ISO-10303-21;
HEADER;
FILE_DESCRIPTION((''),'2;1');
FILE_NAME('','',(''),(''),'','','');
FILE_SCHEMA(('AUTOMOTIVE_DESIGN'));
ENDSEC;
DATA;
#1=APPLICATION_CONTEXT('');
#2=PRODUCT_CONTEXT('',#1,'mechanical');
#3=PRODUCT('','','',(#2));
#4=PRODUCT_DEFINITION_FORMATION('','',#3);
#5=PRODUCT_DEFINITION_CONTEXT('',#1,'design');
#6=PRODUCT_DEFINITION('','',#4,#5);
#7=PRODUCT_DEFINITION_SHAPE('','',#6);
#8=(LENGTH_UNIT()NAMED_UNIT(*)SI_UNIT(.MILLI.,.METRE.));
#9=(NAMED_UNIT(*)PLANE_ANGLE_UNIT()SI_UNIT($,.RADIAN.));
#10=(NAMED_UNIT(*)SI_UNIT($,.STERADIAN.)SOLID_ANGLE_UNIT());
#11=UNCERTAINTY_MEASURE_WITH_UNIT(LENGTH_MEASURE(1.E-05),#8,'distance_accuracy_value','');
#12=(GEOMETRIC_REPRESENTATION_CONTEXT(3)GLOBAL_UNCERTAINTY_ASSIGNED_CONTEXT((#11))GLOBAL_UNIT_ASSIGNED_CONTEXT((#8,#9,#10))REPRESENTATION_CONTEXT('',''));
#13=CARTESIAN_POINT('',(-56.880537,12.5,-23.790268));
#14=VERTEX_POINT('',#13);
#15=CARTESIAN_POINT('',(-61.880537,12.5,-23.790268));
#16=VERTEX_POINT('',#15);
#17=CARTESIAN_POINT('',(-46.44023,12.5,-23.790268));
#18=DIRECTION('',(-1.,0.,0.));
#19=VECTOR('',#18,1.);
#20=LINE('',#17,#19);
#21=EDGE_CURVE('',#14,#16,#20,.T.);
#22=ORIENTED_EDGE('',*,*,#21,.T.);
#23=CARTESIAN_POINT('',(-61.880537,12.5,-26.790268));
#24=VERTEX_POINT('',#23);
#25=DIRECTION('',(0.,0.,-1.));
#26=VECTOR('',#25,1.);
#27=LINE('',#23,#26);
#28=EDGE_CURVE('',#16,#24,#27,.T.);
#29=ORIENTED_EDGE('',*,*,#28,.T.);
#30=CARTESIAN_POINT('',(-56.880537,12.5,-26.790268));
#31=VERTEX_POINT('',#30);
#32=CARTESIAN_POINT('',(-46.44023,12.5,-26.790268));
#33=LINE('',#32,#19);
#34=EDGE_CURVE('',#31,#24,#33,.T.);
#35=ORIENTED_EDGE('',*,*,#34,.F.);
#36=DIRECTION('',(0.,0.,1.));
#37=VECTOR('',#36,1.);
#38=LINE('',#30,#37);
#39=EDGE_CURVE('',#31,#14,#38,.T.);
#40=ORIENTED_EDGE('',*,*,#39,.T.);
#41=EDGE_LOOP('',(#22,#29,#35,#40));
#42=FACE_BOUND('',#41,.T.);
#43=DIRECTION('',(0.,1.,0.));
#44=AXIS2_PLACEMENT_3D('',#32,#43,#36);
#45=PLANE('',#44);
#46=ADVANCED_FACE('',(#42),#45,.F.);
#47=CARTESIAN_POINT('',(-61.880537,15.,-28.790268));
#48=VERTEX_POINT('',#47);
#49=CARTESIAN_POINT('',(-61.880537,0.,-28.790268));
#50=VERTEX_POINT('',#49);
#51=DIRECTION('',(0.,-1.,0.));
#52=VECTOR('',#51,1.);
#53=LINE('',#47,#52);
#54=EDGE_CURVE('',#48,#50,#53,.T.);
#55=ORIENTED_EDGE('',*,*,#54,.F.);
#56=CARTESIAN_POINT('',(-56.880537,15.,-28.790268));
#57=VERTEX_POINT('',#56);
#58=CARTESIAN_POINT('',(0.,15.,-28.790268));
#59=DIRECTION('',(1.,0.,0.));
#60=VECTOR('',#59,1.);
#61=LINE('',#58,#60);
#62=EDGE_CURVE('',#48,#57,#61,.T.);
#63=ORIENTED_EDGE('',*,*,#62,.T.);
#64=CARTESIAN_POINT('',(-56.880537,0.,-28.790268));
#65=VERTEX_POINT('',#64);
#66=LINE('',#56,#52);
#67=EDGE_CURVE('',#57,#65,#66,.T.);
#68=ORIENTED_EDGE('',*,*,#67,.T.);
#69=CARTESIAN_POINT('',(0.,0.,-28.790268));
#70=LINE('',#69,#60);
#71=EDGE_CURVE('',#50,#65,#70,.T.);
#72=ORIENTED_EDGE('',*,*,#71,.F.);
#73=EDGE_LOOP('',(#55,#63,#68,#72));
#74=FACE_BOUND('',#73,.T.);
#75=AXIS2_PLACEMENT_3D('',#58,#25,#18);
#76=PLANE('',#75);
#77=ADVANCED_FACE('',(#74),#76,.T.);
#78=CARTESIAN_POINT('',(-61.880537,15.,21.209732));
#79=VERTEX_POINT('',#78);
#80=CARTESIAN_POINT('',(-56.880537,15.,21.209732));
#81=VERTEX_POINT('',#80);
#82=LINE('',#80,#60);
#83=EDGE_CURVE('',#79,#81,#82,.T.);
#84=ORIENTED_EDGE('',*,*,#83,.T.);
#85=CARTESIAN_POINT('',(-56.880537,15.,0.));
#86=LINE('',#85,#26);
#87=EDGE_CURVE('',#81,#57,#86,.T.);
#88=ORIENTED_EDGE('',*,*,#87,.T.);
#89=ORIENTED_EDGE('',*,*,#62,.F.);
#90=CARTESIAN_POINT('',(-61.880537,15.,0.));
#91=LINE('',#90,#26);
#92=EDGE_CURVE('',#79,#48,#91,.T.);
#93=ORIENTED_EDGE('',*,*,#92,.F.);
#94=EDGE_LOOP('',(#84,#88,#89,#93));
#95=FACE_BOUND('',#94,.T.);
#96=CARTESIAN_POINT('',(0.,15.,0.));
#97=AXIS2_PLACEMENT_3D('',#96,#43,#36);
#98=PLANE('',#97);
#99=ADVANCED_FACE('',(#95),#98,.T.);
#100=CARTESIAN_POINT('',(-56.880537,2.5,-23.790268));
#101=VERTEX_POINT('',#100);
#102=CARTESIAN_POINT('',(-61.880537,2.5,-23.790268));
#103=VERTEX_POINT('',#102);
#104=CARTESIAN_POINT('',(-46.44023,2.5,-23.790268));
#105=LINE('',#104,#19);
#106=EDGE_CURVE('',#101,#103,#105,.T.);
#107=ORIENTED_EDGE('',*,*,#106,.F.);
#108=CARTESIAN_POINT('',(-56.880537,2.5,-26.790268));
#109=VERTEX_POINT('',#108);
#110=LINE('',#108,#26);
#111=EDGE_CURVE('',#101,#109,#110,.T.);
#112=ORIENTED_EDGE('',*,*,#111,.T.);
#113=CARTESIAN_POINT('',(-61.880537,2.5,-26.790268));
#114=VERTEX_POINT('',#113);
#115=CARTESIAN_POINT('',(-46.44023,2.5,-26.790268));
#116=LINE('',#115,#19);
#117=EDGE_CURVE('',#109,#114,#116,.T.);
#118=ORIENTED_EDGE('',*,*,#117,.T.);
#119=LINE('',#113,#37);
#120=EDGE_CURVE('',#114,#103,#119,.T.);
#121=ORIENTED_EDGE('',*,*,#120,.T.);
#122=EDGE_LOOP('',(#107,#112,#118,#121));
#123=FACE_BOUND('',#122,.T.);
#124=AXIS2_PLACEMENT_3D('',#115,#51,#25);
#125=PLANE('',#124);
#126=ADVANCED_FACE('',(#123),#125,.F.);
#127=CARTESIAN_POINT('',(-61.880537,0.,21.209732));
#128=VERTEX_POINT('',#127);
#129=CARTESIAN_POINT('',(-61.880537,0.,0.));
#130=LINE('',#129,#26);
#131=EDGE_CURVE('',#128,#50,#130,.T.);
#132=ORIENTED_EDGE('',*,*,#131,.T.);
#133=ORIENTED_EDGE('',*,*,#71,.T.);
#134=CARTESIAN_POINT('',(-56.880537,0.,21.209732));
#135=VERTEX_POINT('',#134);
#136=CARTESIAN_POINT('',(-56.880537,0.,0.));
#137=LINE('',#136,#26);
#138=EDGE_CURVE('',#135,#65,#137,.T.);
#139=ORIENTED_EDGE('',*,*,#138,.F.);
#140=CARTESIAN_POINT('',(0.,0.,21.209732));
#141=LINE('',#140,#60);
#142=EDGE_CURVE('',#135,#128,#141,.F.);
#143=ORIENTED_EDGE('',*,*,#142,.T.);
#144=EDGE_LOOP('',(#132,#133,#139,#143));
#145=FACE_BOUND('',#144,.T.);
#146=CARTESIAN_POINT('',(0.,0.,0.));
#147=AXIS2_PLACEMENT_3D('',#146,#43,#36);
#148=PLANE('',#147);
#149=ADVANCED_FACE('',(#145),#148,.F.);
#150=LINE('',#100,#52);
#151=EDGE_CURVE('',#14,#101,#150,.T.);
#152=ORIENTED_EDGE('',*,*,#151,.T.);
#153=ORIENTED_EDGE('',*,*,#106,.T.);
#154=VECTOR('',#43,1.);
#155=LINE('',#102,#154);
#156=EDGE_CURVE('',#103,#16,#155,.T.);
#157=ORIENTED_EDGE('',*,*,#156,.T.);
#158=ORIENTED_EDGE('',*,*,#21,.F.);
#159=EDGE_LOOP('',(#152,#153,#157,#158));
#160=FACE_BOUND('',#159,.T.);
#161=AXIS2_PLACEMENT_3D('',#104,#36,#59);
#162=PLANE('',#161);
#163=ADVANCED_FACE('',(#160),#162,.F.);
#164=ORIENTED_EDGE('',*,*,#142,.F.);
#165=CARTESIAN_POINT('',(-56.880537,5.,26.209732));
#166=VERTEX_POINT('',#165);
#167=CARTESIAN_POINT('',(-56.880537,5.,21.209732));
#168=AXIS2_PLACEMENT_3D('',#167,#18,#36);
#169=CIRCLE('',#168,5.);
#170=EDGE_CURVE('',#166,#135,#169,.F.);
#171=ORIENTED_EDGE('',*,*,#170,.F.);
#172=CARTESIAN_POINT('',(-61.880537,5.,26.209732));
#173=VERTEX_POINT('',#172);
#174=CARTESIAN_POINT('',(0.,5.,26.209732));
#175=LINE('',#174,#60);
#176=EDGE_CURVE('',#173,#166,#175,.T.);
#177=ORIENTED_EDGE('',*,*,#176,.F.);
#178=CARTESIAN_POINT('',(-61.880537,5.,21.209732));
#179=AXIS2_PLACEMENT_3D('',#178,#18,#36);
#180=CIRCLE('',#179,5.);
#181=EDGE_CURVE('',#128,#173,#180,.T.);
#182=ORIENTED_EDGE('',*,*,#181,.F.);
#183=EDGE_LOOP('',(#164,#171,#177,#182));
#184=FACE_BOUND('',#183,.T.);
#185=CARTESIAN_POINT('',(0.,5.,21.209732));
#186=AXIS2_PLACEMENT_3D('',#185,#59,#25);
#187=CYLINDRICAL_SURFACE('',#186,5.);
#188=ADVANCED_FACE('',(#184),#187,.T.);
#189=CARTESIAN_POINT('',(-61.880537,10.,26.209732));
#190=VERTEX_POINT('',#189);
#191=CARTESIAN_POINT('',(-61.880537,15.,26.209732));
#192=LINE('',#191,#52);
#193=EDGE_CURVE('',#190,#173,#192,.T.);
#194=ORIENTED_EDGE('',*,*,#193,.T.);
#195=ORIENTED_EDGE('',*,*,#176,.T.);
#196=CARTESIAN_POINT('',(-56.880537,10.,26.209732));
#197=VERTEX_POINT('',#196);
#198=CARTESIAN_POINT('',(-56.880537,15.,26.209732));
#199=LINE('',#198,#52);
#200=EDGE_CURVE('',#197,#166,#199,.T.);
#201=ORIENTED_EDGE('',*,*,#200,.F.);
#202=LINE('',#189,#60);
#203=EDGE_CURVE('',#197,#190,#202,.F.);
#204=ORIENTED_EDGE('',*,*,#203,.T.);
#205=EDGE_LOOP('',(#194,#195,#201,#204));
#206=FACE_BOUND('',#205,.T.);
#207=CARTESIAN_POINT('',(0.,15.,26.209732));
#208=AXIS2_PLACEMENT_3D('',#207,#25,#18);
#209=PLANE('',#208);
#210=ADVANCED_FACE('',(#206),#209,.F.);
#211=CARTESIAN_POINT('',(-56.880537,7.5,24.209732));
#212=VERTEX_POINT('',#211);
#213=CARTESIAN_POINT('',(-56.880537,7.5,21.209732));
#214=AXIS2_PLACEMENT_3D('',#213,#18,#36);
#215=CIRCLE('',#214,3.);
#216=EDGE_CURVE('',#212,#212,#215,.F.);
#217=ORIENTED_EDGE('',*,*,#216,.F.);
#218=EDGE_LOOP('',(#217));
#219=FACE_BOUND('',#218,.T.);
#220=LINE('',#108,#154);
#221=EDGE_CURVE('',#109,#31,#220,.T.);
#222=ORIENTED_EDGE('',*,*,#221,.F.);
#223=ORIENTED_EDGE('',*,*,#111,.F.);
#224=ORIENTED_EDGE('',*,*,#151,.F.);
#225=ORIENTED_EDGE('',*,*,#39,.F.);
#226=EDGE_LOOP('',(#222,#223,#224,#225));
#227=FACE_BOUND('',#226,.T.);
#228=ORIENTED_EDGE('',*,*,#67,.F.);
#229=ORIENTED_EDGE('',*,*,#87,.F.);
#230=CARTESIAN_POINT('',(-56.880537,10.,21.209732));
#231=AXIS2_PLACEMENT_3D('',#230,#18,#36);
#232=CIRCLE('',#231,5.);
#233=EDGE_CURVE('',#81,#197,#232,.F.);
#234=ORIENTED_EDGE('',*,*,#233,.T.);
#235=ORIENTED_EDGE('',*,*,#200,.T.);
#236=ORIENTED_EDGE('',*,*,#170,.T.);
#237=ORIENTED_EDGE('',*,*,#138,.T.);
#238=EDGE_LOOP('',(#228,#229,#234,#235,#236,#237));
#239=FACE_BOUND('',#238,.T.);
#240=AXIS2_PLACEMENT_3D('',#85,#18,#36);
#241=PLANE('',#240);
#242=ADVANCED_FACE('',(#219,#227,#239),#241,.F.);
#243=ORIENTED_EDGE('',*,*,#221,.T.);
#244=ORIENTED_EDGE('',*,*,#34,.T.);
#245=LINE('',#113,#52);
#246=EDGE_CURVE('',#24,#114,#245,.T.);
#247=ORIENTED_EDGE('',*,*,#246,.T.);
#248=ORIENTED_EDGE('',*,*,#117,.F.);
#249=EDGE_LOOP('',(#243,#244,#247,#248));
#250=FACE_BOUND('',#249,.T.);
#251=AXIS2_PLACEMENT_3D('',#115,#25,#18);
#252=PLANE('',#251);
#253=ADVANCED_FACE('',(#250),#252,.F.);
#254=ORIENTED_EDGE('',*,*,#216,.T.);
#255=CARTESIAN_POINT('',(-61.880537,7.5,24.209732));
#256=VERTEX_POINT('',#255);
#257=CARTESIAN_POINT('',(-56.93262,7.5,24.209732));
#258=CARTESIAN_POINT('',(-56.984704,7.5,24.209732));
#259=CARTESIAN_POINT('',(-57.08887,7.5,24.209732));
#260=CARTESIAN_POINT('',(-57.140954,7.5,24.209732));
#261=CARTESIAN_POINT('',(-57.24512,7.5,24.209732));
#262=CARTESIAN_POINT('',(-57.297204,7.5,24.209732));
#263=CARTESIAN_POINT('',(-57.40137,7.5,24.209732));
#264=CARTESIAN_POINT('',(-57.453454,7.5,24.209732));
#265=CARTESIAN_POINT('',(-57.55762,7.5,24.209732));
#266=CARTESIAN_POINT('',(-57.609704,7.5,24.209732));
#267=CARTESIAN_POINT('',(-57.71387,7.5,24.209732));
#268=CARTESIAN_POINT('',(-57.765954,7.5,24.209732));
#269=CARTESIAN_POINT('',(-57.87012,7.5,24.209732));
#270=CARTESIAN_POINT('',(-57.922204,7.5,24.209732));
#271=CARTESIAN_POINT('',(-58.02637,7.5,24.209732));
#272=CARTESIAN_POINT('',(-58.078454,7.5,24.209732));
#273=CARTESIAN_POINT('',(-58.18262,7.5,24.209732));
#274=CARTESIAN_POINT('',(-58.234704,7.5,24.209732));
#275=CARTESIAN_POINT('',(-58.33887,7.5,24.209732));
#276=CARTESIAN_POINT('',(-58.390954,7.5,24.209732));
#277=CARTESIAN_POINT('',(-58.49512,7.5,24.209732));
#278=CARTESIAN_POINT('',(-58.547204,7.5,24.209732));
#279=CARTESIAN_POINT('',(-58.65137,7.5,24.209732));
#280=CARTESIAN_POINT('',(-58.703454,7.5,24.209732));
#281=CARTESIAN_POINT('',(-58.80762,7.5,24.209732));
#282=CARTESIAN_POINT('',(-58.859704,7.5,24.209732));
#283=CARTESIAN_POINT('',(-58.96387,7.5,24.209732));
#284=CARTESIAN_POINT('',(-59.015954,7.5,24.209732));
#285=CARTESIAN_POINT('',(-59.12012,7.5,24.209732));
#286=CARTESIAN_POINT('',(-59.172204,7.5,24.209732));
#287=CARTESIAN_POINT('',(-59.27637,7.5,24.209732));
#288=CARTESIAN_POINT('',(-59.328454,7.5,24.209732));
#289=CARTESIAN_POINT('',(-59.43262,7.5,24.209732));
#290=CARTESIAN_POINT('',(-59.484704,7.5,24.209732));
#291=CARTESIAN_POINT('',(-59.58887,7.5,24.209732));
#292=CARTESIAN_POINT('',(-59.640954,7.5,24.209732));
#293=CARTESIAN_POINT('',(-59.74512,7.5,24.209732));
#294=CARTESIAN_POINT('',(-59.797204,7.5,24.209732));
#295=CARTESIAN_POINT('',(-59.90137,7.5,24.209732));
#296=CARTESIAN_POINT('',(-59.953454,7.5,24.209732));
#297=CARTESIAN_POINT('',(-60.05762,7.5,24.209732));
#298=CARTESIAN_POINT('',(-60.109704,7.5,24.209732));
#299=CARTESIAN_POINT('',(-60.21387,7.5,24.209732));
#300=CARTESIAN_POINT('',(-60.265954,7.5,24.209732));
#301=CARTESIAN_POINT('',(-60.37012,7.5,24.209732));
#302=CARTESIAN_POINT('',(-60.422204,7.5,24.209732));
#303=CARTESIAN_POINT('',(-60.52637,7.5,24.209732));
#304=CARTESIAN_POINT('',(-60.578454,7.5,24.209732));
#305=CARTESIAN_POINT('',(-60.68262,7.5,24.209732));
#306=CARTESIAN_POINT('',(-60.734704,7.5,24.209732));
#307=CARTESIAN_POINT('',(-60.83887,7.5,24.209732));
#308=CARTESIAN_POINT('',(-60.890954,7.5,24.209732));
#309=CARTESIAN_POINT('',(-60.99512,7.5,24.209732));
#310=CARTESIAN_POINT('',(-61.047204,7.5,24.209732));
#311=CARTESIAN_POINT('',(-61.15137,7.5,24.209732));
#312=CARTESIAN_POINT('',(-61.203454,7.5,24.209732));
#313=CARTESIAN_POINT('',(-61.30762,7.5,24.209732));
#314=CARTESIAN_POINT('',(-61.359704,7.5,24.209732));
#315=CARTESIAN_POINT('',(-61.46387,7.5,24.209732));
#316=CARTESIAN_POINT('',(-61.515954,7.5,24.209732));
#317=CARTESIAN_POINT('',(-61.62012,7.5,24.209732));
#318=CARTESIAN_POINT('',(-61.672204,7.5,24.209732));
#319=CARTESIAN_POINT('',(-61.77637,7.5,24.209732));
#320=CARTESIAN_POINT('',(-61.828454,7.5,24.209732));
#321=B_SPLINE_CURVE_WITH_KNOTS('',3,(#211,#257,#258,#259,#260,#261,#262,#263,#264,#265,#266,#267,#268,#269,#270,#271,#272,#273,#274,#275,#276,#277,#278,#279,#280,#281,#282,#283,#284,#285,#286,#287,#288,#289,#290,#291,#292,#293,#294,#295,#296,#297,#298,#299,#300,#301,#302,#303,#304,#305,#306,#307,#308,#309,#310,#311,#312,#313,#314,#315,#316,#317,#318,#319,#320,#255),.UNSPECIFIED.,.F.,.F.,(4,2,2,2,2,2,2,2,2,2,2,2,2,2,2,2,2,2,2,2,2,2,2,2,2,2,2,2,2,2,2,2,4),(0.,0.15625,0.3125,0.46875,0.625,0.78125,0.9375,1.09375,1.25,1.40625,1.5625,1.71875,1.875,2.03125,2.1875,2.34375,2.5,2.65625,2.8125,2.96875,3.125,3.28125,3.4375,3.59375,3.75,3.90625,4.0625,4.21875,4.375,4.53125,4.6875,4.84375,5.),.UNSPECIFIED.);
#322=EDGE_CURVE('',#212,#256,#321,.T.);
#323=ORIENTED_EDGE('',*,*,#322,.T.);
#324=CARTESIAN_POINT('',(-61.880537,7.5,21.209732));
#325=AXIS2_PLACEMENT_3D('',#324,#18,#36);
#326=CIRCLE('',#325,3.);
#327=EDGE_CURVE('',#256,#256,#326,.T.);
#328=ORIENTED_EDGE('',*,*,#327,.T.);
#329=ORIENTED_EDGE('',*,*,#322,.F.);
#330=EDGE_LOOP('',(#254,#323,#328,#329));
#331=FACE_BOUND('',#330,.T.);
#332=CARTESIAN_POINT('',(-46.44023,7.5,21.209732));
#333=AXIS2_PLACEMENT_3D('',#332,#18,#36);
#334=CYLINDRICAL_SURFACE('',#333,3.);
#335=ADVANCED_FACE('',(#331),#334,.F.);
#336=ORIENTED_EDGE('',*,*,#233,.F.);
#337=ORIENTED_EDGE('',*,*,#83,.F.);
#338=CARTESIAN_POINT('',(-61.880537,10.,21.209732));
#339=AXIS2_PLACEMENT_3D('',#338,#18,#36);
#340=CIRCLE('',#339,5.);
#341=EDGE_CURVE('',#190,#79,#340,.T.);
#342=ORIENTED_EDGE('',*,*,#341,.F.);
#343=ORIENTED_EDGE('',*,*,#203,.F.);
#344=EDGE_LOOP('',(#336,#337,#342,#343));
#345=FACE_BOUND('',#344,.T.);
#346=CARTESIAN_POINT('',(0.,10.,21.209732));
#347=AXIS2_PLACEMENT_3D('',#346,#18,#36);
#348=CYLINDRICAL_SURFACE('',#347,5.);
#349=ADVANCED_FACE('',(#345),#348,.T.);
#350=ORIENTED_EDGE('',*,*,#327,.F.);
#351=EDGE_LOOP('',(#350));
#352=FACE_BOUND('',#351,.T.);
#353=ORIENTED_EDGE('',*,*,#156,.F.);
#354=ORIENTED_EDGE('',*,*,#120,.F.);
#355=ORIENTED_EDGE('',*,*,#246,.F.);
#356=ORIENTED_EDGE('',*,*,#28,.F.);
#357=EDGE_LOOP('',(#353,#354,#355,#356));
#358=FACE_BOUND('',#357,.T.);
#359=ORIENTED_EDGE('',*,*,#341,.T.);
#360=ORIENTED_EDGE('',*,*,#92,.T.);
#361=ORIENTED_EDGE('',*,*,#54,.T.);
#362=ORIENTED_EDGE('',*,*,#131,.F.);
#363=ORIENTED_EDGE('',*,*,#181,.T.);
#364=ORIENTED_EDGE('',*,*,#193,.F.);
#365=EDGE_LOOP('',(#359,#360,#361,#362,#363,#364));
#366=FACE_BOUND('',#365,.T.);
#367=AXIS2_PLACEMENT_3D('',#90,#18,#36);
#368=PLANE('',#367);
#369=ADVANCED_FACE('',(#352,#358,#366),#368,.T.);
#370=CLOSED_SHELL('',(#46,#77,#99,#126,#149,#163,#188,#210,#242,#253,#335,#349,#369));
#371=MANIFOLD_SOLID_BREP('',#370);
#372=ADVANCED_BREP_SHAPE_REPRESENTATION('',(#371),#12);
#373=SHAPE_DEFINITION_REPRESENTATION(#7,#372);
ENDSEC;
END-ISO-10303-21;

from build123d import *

# Parameters (mm, degrees)
BOSS_EXTRUDE1_DEPTH = 15
SKETCH2_R           = 3
SKETCH2_W           = 3
SKETCH2_H           = 10
CUT_EXTRUDE1_DEPTH  = 5
FILLET1_R           = 5


with BuildPart() as part:
    # Sketch1 → Boss-Extrude1 (new body)
    with BuildSketch(Plane(origin=(0, 0, 0), x_dir=(1, 0, 0), z_dir=(0, 1, 0))):
        Polygon((-61.880536913, 28.790268456), (-61.880536913, -26.209731544), (-56.880536913, -26.209731544), (-56.880536913, 23.790268456), (-56.880536913, 28.790268456), align=None)
    extrude(amount=BOSS_EXTRUDE1_DEPTH)

    # Sketch2 → Cut-Extrude1 (cut)
    with BuildSketch(Plane.ZY.offset(61.880536913)):
        with Locations((21.209731544, 7.5)):
            Circle(SKETCH2_R)
        with Locations((-25.290268456, 7.5)):
            Rectangle(SKETCH2_W, SKETCH2_H)
    extrude(amount=-CUT_EXTRUDE1_DEPTH, mode=Mode.SUBTRACT)

    # Fillet1
    fillet1_edges = [part.edges().sort_by_distance(p)[0] for p in [
        (-59.380536913, 15, 26.209731544),
        (-59.380536913, 0, 26.209731544),
    ]]
    fillet(fillet1_edges, radius=FILLET1_R)


solid = part.part
